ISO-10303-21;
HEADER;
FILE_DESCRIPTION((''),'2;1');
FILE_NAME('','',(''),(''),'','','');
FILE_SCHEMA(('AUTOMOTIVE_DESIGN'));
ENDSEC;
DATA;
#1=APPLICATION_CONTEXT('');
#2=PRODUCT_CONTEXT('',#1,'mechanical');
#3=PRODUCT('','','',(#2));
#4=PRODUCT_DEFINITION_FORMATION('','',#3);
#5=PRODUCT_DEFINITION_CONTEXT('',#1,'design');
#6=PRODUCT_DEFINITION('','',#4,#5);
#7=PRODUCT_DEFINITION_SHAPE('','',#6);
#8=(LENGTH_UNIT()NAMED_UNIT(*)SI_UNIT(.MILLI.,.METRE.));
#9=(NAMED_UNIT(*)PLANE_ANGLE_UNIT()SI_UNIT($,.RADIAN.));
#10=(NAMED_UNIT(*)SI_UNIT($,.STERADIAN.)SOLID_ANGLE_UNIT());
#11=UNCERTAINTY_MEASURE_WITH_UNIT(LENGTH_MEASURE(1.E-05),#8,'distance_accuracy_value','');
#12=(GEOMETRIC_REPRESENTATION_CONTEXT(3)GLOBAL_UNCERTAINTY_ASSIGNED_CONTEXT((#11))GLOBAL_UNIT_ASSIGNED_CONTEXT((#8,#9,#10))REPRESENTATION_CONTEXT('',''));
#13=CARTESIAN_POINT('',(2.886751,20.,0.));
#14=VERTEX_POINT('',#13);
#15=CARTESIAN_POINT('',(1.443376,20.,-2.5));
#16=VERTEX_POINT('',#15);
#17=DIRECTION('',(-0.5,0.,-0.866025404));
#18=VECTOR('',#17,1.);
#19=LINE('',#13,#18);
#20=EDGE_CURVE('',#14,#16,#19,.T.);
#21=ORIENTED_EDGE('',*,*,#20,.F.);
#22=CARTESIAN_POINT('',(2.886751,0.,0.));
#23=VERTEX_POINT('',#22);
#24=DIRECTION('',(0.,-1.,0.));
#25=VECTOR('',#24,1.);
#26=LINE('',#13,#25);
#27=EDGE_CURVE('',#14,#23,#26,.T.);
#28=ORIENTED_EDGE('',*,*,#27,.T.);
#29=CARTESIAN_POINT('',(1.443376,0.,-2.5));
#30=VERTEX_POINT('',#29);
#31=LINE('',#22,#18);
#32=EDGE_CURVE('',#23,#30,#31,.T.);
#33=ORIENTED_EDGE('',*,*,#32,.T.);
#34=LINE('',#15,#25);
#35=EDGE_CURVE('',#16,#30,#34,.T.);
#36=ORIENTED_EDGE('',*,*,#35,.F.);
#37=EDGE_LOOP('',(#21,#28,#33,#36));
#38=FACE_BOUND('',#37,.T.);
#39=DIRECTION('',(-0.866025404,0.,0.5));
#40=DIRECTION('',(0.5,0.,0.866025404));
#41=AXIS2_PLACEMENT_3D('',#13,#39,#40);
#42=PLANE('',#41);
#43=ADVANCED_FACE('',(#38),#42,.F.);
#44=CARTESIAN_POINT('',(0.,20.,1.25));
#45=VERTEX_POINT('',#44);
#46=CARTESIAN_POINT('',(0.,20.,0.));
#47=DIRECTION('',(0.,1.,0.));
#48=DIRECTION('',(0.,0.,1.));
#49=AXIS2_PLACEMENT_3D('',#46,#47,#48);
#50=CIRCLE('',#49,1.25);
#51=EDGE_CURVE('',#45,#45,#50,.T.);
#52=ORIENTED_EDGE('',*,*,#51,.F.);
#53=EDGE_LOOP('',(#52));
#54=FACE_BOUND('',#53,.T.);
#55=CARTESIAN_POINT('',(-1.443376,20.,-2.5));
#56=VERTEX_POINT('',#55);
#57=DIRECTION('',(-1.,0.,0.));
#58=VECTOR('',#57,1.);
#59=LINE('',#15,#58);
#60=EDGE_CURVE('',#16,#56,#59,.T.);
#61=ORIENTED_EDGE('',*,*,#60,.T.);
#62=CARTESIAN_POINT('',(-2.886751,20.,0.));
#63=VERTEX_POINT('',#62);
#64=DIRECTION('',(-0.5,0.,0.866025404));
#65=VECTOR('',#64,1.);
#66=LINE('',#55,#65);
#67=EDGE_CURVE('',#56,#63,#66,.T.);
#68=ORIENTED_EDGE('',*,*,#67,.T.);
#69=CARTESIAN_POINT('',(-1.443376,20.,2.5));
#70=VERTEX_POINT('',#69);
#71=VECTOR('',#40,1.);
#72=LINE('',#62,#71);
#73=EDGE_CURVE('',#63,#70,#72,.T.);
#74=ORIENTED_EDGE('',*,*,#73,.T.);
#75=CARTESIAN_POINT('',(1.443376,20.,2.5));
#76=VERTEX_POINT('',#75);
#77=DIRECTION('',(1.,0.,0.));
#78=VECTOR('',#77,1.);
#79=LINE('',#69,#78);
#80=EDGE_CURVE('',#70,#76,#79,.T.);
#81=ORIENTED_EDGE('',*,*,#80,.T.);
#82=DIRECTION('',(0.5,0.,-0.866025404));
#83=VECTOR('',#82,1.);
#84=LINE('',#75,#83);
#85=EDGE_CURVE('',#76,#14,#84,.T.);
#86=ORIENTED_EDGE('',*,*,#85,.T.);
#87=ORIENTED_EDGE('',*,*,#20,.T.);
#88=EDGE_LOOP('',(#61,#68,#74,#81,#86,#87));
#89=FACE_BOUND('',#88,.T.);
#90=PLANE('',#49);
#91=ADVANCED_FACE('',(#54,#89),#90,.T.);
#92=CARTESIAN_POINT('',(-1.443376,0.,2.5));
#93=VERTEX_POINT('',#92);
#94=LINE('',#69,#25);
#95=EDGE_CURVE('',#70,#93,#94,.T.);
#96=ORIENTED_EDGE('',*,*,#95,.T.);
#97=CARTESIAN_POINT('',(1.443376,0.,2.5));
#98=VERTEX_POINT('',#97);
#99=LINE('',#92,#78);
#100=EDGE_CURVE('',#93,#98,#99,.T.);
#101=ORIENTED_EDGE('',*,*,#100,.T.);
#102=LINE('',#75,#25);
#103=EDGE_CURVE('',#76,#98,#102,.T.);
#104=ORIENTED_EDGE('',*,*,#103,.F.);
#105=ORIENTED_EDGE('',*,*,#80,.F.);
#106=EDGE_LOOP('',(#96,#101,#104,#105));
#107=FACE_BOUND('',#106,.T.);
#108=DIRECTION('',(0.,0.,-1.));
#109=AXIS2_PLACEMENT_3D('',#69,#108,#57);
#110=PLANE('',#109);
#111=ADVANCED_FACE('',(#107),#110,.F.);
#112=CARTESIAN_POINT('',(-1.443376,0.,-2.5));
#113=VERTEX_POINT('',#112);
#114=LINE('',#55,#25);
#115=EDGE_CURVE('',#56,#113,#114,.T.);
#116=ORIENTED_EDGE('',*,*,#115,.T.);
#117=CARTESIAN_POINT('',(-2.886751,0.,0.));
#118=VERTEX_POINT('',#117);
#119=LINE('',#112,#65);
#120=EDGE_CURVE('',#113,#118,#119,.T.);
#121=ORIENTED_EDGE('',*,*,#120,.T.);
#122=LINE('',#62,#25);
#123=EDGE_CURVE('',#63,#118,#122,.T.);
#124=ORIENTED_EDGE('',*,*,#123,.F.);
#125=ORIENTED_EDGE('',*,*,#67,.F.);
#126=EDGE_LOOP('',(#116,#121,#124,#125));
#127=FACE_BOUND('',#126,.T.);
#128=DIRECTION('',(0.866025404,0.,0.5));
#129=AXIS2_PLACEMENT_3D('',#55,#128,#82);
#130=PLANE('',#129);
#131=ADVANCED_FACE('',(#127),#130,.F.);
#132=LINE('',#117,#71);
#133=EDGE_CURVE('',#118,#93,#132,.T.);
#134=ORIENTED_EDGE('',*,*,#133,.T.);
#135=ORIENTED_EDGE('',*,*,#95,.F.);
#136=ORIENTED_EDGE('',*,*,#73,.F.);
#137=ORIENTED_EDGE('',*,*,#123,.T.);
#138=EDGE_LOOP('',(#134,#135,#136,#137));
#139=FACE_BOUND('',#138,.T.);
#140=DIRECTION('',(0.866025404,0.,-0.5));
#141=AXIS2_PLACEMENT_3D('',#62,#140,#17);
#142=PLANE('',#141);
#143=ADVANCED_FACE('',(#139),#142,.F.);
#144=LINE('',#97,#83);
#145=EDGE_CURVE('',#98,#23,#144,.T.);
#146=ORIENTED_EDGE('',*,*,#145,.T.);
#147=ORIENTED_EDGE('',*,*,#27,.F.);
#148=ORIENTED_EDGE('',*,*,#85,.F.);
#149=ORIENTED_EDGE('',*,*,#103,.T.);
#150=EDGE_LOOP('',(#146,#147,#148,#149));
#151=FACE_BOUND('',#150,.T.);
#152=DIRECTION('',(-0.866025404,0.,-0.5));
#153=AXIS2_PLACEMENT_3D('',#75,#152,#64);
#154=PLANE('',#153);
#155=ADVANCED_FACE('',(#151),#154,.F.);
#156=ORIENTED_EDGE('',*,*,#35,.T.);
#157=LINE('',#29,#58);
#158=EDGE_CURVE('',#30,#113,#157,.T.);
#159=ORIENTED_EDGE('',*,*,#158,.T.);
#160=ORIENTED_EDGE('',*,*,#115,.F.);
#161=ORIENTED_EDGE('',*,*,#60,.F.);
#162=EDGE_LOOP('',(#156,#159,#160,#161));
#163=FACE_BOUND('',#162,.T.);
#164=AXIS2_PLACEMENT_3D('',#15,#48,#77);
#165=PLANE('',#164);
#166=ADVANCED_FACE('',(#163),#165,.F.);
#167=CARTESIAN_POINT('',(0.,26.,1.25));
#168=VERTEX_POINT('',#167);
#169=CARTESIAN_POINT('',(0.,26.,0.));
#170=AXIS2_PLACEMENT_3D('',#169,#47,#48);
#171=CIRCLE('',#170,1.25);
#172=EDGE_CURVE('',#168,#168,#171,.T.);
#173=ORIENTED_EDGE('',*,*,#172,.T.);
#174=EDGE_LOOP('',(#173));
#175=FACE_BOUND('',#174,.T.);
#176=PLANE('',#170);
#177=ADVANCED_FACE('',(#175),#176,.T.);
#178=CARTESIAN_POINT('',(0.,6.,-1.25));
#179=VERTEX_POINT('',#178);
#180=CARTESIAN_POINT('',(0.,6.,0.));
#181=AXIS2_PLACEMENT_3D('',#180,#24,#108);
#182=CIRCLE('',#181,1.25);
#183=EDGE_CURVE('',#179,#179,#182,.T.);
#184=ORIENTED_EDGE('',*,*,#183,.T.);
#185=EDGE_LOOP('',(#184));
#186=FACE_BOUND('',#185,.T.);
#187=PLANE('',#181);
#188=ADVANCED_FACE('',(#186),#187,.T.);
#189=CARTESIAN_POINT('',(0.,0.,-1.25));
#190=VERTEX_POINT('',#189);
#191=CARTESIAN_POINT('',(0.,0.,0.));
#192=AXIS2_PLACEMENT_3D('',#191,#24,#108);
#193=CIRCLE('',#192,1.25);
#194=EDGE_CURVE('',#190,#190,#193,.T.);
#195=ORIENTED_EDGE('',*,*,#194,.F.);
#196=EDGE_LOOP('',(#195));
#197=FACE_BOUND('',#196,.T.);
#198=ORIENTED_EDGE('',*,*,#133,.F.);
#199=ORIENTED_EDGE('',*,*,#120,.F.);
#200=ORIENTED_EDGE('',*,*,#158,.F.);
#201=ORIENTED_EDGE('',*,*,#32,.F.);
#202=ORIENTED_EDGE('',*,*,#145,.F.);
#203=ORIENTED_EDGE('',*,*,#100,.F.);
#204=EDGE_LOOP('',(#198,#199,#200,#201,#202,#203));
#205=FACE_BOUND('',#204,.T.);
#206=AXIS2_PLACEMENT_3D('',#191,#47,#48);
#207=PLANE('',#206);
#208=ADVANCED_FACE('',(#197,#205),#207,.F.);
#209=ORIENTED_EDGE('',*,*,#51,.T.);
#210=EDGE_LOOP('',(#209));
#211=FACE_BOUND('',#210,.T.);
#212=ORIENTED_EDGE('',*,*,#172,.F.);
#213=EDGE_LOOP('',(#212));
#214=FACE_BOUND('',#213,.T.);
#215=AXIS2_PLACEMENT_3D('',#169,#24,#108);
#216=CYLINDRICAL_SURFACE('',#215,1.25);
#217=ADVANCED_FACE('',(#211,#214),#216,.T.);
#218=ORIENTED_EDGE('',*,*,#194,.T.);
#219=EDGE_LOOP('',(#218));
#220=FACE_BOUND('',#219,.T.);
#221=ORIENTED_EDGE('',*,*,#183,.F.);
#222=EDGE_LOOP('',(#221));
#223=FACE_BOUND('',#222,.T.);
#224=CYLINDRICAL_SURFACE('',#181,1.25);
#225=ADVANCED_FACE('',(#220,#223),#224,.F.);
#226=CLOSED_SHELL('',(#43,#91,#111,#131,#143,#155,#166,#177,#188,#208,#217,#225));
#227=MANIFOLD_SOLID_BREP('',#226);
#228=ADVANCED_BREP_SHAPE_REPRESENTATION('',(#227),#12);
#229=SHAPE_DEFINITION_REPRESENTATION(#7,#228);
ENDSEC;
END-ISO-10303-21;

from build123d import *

# Parameters (mm, degrees)
BOSS_EXTRUDE1_DEPTH = 20
SKETCH2_R           = 1.25
BOSS_EXTRUDE2_DEPTH = 6
SKETCH3_R           = 1.25
CUT_EXTRUDE1_DEPTH  = 6


with BuildPart() as part:
    # Sketch1 → Boss-Extrude1 (new body)
    with BuildSketch(Plane(origin=(0, 0, 0), x_dir=(1, 0, 0), z_dir=(0, 1, 0))):
        Polygon((-2.886751346, 0), (-1.443375673, -2.5), (1.443375673, -2.5), (2.886751346, 0), (1.443375673, 2.5), (-1.443375673, 2.5), align=None)
    extrude(amount=BOSS_EXTRUDE1_DEPTH)

    # Sketch2 → Boss-Extrude2 (add)
    with BuildSketch(Plane(origin=(0, 20, 0), x_dir=(1, 0, 0), z_dir=(0, 1, 0))):
        Circle(SKETCH2_R)
    extrude(amount=BOSS_EXTRUDE2_DEPTH)

    # Sketch3 → Cut-Extrude1 (cut)
    with BuildSketch(Plane.XZ):
        Circle(SKETCH3_R)
    extrude(amount=-CUT_EXTRUDE1_DEPTH, mode=Mode.SUBTRACT)


solid = part.part
